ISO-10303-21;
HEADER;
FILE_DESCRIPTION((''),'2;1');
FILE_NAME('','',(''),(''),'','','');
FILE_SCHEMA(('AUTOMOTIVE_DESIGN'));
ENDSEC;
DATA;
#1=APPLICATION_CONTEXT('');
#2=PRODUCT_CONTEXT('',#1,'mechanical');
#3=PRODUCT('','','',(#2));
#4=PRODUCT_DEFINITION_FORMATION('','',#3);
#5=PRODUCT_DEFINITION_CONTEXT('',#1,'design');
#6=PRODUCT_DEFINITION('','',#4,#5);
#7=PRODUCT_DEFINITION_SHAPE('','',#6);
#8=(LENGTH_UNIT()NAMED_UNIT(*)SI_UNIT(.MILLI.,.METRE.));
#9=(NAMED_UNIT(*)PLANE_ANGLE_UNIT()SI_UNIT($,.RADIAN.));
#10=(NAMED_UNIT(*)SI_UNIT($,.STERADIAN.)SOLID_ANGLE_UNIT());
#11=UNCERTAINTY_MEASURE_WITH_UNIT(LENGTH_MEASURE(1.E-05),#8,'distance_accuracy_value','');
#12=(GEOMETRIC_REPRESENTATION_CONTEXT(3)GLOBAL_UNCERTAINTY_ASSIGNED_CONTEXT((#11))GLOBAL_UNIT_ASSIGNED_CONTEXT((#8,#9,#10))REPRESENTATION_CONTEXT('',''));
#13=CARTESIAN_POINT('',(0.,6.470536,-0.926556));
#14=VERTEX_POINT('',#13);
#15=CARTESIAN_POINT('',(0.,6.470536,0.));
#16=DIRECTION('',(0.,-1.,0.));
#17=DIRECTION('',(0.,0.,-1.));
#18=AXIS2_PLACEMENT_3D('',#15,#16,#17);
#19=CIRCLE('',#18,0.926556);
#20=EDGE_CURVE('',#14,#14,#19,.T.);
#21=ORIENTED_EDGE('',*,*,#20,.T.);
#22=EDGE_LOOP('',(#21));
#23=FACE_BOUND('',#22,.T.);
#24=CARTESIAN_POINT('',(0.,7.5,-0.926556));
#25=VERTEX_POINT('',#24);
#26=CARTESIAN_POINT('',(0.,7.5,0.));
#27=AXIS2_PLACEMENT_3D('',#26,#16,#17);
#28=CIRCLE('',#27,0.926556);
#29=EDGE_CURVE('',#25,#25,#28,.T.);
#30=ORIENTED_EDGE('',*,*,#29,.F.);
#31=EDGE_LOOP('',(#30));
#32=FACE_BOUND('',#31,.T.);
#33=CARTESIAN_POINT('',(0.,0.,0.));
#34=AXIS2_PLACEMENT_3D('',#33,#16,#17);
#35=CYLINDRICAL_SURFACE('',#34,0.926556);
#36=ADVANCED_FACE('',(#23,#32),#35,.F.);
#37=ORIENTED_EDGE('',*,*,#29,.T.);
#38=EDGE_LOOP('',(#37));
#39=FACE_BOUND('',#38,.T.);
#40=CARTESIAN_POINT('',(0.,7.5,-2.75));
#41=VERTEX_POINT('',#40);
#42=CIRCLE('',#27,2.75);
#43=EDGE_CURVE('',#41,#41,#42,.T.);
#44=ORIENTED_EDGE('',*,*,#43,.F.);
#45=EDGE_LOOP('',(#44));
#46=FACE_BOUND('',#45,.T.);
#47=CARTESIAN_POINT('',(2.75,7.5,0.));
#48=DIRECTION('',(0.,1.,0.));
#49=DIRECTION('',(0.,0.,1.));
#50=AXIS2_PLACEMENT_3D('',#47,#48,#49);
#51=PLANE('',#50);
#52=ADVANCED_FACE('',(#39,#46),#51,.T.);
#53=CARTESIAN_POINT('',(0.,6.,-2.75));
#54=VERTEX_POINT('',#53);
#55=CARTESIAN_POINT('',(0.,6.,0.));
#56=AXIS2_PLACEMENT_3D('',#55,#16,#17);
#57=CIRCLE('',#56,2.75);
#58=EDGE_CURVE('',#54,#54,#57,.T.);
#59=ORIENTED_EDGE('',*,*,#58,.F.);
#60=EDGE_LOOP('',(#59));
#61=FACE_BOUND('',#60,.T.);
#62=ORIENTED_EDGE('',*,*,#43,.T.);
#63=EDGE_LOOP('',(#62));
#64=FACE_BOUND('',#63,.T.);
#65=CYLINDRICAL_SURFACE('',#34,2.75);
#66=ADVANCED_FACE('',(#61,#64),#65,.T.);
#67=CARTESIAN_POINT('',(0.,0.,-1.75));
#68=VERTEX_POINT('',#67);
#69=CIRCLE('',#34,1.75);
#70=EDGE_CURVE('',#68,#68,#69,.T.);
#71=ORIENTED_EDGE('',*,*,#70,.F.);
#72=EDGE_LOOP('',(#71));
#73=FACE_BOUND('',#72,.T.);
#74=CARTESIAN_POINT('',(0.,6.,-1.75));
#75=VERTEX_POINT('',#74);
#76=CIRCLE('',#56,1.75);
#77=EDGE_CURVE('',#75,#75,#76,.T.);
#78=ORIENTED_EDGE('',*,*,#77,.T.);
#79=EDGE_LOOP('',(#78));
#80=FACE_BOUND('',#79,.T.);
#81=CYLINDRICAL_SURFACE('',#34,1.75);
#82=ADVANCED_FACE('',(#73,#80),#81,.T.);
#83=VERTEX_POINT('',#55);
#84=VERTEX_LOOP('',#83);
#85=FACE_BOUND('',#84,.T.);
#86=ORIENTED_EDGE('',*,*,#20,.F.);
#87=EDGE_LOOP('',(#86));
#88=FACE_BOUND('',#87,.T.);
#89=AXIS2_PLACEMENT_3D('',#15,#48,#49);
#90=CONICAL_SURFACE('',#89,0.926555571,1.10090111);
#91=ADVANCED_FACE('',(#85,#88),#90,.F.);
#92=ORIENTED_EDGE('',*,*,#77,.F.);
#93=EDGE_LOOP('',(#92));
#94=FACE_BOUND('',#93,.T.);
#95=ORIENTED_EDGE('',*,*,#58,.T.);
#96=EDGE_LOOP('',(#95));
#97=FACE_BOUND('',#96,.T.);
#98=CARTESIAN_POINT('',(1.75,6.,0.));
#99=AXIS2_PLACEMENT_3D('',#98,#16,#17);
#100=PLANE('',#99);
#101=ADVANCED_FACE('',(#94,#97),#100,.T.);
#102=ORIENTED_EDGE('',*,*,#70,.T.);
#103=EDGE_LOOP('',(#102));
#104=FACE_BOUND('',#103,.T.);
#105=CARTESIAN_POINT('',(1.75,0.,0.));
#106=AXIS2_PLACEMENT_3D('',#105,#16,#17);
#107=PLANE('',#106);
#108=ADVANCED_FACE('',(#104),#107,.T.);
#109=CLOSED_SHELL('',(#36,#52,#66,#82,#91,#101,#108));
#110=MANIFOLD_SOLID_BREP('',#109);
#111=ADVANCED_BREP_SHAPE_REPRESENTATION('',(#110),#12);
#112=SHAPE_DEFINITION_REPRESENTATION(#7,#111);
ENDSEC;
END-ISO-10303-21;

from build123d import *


with BuildPart() as part:
    # Sketch1 → Revolve1 (revolve)
    with BuildSketch(Plane.XY):
        Polygon((1.75, 0), (0, 0), (0, 6), (0.926555571, 6.470536499), (0.926555571, 7.5), (2.75, 7.5), (2.75, 6), (1.75, 6), align=None)
    revolve(axis=Axis((0, 0, 0), (0, 1, 0)))


solid = part.part
